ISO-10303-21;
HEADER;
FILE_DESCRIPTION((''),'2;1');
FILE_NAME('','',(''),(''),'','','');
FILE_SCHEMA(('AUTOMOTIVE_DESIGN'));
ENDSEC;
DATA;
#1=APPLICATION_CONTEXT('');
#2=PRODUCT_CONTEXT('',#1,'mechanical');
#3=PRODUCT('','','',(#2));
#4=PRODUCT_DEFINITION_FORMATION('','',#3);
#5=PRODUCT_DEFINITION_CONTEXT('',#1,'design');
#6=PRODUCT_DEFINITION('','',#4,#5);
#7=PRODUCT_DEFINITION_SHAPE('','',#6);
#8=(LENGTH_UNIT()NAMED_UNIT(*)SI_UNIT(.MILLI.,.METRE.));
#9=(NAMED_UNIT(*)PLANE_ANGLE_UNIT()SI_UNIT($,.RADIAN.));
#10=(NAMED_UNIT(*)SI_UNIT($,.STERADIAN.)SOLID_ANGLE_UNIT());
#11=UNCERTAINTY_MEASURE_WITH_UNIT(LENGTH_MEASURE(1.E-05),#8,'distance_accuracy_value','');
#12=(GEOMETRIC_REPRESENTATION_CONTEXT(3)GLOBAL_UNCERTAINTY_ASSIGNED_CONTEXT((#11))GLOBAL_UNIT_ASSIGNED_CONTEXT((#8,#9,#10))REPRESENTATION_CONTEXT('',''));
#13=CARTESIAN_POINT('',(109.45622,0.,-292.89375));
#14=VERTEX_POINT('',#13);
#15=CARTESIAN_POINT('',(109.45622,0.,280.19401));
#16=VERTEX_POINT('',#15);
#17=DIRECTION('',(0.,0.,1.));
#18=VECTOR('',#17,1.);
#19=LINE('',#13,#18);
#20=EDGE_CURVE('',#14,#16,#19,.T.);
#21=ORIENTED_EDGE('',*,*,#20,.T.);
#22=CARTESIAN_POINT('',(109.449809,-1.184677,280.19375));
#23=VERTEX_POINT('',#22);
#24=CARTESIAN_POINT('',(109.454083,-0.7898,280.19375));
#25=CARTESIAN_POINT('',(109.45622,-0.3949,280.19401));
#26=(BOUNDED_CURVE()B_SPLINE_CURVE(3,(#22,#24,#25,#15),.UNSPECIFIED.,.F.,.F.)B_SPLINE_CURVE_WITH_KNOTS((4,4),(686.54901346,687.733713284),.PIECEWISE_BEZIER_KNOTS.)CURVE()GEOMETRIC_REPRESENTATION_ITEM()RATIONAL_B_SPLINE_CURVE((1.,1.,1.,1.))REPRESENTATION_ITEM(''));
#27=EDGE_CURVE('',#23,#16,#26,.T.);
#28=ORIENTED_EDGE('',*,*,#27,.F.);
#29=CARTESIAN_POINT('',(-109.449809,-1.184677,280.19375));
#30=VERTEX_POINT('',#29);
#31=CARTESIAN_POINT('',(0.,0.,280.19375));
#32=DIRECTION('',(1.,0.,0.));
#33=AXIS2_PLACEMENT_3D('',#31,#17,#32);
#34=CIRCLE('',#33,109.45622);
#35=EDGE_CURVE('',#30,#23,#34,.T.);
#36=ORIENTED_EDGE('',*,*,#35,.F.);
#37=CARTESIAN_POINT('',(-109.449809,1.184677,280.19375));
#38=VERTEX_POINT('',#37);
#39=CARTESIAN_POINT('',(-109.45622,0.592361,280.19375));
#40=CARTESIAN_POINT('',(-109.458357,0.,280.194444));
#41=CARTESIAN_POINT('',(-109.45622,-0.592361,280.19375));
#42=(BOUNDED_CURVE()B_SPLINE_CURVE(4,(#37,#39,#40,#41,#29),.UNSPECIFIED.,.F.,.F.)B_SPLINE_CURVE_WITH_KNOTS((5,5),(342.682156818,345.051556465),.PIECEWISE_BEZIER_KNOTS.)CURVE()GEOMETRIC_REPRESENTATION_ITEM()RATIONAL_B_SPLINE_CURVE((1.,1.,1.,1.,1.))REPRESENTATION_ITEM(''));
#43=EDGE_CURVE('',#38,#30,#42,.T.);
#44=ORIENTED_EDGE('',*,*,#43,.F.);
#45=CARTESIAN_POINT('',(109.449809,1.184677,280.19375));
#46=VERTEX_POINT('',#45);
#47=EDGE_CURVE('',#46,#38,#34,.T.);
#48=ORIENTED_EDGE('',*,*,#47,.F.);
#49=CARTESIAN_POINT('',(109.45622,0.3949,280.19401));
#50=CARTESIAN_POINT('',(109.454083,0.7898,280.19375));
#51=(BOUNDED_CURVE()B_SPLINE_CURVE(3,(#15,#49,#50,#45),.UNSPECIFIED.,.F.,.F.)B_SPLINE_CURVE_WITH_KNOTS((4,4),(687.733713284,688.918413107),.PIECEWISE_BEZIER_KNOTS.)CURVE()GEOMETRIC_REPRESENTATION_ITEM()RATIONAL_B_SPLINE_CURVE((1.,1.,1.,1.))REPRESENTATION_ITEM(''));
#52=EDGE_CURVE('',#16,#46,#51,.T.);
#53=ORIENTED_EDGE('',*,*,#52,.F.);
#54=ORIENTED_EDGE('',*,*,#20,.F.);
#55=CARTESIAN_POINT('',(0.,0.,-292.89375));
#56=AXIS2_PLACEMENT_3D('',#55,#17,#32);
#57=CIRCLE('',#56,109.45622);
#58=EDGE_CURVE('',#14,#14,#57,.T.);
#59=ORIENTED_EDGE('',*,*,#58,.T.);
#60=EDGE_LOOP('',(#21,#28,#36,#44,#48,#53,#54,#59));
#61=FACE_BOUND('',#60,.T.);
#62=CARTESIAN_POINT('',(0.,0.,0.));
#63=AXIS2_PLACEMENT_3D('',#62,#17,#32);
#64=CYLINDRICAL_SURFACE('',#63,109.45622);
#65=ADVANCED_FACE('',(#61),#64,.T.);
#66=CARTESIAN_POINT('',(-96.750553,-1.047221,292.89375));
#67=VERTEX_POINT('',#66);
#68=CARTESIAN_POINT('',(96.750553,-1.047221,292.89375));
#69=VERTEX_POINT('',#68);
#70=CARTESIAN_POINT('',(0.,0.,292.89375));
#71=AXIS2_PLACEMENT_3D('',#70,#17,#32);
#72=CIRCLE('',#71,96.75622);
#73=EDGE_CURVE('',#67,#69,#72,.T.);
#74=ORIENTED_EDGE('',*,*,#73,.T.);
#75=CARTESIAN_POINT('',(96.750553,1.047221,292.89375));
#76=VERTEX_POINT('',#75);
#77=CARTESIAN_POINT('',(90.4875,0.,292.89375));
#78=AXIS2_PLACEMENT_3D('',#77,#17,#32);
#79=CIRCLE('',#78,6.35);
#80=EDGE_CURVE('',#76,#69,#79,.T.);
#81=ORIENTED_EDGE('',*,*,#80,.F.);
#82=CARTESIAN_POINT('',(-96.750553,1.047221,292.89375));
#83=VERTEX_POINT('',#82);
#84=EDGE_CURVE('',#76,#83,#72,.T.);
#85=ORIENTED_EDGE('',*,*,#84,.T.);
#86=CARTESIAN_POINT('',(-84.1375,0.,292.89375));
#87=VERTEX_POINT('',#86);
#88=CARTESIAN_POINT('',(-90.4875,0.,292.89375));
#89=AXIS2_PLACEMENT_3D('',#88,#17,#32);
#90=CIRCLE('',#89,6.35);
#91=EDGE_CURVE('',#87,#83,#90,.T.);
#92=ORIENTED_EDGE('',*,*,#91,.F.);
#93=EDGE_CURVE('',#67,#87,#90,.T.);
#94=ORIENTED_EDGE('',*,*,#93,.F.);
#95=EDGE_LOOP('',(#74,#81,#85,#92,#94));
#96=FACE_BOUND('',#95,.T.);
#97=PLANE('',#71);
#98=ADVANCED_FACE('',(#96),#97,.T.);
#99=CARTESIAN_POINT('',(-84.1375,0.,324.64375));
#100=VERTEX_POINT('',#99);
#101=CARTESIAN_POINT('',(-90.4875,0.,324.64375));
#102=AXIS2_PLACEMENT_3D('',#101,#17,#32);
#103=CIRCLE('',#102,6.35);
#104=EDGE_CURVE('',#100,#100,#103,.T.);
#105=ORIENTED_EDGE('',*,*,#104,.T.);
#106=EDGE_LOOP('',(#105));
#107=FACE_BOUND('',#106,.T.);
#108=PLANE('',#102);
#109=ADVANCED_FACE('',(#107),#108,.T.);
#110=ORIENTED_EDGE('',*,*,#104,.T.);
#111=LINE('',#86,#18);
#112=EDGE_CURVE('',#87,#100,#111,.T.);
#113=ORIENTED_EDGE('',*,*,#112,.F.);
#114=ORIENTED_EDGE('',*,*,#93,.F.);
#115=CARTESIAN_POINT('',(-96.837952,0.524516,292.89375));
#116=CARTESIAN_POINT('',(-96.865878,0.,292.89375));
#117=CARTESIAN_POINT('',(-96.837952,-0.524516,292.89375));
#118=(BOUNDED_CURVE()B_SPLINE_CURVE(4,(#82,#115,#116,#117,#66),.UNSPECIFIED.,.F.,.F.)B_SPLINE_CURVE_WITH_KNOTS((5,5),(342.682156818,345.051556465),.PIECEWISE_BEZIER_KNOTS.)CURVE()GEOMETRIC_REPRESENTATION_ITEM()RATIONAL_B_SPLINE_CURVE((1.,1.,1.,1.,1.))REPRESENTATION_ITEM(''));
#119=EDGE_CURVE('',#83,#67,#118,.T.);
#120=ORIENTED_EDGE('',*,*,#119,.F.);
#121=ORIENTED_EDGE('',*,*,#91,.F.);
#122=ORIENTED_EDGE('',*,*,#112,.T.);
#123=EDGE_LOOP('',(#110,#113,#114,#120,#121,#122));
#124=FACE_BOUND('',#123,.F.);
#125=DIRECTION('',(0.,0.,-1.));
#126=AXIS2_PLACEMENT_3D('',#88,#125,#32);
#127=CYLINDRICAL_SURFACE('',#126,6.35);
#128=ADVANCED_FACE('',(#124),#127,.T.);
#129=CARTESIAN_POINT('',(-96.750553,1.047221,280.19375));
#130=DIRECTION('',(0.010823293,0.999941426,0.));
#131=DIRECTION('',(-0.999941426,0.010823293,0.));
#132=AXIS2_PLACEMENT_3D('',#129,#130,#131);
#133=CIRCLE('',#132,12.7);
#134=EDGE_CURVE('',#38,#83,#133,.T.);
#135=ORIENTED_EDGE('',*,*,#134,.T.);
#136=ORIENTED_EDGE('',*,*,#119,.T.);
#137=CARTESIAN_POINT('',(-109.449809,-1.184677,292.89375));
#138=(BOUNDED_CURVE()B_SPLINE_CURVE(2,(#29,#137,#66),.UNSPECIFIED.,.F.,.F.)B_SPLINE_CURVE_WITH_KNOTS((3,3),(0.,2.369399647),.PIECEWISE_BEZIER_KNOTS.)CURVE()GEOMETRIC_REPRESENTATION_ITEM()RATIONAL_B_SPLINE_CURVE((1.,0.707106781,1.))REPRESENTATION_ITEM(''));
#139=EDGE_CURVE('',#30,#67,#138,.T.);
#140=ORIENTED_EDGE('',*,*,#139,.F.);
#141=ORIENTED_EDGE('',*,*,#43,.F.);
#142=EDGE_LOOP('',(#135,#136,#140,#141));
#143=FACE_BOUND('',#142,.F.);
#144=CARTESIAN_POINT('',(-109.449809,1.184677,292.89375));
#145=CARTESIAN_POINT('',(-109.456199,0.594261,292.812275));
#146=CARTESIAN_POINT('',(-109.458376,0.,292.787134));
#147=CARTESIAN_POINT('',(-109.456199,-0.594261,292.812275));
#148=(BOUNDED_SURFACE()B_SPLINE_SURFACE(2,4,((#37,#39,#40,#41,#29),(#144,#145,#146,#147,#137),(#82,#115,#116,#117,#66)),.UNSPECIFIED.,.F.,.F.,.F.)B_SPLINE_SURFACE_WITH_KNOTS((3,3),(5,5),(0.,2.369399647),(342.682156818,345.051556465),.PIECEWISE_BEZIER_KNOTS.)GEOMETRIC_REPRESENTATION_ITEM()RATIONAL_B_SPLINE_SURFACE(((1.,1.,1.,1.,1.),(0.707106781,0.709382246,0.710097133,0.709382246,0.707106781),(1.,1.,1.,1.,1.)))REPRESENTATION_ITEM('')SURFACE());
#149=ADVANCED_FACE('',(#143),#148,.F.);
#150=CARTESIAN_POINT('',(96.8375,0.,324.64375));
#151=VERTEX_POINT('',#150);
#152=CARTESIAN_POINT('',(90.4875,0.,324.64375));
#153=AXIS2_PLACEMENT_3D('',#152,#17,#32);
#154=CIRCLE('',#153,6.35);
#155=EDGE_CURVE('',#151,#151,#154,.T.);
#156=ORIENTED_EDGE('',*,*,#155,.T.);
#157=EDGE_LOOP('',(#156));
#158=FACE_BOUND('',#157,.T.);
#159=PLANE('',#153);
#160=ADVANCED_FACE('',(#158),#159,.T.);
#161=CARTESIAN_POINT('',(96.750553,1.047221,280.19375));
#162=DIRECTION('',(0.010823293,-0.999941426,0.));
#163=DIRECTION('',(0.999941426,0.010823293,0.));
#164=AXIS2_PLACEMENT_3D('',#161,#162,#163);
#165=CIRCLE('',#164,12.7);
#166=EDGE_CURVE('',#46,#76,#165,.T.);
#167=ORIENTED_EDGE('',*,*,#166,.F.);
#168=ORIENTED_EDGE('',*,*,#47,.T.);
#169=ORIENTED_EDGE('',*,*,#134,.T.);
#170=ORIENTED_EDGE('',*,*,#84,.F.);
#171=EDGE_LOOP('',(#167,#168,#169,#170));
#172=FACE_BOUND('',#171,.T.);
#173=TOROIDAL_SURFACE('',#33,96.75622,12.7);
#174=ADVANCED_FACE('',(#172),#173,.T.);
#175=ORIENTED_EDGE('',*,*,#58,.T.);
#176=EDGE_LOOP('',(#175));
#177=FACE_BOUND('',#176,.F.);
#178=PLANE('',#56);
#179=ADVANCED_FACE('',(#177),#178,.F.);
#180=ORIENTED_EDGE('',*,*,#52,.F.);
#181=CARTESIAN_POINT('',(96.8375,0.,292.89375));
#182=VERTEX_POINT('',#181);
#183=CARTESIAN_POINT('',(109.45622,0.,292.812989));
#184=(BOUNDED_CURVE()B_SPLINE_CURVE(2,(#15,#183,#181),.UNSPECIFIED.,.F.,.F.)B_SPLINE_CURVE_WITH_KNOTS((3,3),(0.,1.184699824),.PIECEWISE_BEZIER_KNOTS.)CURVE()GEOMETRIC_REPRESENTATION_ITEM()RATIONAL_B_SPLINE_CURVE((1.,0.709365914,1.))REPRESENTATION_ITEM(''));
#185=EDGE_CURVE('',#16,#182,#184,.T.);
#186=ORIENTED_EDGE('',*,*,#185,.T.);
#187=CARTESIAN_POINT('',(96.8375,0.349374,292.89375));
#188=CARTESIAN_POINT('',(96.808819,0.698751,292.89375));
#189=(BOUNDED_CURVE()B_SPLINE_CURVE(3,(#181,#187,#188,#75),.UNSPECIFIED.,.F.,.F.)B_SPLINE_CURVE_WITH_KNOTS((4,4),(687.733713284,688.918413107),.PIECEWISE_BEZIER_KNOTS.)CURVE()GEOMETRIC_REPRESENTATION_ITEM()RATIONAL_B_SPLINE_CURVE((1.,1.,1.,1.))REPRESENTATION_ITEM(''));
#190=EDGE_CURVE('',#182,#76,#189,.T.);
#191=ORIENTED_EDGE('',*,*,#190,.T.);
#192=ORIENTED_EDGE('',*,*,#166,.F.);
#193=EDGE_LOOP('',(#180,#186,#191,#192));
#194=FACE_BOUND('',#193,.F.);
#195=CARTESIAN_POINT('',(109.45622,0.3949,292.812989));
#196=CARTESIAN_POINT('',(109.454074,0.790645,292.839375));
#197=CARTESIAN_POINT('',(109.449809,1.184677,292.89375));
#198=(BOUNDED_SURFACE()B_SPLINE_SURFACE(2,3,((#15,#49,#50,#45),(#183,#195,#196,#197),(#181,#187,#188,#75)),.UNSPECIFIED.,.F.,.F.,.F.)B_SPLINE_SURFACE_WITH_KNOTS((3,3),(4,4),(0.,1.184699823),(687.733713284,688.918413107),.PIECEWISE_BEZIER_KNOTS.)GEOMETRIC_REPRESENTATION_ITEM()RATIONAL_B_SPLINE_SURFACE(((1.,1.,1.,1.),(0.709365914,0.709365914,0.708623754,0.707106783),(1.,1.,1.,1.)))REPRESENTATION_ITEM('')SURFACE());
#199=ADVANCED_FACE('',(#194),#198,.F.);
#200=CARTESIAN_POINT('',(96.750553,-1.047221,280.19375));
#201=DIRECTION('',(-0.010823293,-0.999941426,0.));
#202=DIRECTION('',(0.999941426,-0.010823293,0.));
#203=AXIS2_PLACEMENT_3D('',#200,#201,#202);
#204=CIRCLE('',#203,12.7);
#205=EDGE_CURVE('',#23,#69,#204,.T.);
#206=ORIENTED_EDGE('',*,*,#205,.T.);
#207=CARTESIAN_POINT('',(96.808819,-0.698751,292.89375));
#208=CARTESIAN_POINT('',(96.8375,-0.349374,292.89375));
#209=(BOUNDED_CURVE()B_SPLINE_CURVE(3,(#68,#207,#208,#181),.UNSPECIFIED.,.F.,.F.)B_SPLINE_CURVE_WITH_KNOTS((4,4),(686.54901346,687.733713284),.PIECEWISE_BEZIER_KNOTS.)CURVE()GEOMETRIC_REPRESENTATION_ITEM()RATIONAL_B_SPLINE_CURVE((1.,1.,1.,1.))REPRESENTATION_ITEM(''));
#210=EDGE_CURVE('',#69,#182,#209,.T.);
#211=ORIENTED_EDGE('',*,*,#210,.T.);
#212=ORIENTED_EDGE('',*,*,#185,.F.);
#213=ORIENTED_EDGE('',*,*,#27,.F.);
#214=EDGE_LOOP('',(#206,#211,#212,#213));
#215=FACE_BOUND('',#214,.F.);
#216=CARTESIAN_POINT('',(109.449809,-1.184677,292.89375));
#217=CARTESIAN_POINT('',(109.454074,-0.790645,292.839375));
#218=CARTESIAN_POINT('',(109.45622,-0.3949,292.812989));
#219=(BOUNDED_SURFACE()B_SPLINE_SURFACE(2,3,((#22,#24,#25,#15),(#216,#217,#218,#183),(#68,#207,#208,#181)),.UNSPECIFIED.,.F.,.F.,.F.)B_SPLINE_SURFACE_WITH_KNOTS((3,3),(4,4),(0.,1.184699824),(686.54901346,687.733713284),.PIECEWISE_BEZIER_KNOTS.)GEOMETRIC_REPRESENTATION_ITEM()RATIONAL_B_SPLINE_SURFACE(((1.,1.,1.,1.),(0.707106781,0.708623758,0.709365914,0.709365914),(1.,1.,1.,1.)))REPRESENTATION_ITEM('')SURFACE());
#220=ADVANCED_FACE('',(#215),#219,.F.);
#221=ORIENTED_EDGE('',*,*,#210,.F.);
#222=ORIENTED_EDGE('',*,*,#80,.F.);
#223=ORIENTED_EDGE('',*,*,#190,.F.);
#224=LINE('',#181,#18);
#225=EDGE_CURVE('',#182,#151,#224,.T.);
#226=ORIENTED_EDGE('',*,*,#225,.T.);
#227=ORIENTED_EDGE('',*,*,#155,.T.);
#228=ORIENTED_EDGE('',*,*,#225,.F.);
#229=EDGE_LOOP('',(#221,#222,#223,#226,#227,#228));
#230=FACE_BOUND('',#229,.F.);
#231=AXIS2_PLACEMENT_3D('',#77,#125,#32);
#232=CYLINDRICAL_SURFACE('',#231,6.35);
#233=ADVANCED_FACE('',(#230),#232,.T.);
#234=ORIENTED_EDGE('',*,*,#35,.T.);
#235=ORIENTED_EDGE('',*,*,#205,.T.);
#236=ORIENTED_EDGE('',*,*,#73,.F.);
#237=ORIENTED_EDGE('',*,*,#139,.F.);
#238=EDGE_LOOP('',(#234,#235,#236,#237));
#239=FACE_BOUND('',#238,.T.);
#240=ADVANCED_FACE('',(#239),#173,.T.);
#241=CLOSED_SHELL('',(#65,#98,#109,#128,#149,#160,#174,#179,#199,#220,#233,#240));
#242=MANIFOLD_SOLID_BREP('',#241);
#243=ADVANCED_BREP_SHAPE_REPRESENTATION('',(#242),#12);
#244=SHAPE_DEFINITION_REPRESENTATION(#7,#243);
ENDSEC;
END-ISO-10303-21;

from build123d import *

# Parameters (mm, degrees)
F0_R     = 109.45622
F1_DEPTH = 292.89375
F2_R     = 6.35
F3_DEPTH = 31.75
F4_R     = 12.7


with BuildPart() as f1:
    # F0 (on Top) → F1 (new body, symmetric)
    with BuildSketch(Plane.XY):
        Circle(F0_R)
    extrude(amount=F1_DEPTH, both=True)

    # F2 (on face) → F3 (join)
    with BuildSketch(Plane.XY.offset(292.89375)):
        with Locations((90.4875, 0)):
            Circle(F2_R)
        with Locations((-90.4875, 0)):
            Circle(F2_R)
    extrude(amount=F3_DEPTH)

    # F4
    f4_edges = [f1.edges().sort_by_distance(p)[0] for p in [
        (-109.45622, 0, 292.89375),
    ]]
    fillet(f4_edges, radius=F4_R)


solid = f1.part
